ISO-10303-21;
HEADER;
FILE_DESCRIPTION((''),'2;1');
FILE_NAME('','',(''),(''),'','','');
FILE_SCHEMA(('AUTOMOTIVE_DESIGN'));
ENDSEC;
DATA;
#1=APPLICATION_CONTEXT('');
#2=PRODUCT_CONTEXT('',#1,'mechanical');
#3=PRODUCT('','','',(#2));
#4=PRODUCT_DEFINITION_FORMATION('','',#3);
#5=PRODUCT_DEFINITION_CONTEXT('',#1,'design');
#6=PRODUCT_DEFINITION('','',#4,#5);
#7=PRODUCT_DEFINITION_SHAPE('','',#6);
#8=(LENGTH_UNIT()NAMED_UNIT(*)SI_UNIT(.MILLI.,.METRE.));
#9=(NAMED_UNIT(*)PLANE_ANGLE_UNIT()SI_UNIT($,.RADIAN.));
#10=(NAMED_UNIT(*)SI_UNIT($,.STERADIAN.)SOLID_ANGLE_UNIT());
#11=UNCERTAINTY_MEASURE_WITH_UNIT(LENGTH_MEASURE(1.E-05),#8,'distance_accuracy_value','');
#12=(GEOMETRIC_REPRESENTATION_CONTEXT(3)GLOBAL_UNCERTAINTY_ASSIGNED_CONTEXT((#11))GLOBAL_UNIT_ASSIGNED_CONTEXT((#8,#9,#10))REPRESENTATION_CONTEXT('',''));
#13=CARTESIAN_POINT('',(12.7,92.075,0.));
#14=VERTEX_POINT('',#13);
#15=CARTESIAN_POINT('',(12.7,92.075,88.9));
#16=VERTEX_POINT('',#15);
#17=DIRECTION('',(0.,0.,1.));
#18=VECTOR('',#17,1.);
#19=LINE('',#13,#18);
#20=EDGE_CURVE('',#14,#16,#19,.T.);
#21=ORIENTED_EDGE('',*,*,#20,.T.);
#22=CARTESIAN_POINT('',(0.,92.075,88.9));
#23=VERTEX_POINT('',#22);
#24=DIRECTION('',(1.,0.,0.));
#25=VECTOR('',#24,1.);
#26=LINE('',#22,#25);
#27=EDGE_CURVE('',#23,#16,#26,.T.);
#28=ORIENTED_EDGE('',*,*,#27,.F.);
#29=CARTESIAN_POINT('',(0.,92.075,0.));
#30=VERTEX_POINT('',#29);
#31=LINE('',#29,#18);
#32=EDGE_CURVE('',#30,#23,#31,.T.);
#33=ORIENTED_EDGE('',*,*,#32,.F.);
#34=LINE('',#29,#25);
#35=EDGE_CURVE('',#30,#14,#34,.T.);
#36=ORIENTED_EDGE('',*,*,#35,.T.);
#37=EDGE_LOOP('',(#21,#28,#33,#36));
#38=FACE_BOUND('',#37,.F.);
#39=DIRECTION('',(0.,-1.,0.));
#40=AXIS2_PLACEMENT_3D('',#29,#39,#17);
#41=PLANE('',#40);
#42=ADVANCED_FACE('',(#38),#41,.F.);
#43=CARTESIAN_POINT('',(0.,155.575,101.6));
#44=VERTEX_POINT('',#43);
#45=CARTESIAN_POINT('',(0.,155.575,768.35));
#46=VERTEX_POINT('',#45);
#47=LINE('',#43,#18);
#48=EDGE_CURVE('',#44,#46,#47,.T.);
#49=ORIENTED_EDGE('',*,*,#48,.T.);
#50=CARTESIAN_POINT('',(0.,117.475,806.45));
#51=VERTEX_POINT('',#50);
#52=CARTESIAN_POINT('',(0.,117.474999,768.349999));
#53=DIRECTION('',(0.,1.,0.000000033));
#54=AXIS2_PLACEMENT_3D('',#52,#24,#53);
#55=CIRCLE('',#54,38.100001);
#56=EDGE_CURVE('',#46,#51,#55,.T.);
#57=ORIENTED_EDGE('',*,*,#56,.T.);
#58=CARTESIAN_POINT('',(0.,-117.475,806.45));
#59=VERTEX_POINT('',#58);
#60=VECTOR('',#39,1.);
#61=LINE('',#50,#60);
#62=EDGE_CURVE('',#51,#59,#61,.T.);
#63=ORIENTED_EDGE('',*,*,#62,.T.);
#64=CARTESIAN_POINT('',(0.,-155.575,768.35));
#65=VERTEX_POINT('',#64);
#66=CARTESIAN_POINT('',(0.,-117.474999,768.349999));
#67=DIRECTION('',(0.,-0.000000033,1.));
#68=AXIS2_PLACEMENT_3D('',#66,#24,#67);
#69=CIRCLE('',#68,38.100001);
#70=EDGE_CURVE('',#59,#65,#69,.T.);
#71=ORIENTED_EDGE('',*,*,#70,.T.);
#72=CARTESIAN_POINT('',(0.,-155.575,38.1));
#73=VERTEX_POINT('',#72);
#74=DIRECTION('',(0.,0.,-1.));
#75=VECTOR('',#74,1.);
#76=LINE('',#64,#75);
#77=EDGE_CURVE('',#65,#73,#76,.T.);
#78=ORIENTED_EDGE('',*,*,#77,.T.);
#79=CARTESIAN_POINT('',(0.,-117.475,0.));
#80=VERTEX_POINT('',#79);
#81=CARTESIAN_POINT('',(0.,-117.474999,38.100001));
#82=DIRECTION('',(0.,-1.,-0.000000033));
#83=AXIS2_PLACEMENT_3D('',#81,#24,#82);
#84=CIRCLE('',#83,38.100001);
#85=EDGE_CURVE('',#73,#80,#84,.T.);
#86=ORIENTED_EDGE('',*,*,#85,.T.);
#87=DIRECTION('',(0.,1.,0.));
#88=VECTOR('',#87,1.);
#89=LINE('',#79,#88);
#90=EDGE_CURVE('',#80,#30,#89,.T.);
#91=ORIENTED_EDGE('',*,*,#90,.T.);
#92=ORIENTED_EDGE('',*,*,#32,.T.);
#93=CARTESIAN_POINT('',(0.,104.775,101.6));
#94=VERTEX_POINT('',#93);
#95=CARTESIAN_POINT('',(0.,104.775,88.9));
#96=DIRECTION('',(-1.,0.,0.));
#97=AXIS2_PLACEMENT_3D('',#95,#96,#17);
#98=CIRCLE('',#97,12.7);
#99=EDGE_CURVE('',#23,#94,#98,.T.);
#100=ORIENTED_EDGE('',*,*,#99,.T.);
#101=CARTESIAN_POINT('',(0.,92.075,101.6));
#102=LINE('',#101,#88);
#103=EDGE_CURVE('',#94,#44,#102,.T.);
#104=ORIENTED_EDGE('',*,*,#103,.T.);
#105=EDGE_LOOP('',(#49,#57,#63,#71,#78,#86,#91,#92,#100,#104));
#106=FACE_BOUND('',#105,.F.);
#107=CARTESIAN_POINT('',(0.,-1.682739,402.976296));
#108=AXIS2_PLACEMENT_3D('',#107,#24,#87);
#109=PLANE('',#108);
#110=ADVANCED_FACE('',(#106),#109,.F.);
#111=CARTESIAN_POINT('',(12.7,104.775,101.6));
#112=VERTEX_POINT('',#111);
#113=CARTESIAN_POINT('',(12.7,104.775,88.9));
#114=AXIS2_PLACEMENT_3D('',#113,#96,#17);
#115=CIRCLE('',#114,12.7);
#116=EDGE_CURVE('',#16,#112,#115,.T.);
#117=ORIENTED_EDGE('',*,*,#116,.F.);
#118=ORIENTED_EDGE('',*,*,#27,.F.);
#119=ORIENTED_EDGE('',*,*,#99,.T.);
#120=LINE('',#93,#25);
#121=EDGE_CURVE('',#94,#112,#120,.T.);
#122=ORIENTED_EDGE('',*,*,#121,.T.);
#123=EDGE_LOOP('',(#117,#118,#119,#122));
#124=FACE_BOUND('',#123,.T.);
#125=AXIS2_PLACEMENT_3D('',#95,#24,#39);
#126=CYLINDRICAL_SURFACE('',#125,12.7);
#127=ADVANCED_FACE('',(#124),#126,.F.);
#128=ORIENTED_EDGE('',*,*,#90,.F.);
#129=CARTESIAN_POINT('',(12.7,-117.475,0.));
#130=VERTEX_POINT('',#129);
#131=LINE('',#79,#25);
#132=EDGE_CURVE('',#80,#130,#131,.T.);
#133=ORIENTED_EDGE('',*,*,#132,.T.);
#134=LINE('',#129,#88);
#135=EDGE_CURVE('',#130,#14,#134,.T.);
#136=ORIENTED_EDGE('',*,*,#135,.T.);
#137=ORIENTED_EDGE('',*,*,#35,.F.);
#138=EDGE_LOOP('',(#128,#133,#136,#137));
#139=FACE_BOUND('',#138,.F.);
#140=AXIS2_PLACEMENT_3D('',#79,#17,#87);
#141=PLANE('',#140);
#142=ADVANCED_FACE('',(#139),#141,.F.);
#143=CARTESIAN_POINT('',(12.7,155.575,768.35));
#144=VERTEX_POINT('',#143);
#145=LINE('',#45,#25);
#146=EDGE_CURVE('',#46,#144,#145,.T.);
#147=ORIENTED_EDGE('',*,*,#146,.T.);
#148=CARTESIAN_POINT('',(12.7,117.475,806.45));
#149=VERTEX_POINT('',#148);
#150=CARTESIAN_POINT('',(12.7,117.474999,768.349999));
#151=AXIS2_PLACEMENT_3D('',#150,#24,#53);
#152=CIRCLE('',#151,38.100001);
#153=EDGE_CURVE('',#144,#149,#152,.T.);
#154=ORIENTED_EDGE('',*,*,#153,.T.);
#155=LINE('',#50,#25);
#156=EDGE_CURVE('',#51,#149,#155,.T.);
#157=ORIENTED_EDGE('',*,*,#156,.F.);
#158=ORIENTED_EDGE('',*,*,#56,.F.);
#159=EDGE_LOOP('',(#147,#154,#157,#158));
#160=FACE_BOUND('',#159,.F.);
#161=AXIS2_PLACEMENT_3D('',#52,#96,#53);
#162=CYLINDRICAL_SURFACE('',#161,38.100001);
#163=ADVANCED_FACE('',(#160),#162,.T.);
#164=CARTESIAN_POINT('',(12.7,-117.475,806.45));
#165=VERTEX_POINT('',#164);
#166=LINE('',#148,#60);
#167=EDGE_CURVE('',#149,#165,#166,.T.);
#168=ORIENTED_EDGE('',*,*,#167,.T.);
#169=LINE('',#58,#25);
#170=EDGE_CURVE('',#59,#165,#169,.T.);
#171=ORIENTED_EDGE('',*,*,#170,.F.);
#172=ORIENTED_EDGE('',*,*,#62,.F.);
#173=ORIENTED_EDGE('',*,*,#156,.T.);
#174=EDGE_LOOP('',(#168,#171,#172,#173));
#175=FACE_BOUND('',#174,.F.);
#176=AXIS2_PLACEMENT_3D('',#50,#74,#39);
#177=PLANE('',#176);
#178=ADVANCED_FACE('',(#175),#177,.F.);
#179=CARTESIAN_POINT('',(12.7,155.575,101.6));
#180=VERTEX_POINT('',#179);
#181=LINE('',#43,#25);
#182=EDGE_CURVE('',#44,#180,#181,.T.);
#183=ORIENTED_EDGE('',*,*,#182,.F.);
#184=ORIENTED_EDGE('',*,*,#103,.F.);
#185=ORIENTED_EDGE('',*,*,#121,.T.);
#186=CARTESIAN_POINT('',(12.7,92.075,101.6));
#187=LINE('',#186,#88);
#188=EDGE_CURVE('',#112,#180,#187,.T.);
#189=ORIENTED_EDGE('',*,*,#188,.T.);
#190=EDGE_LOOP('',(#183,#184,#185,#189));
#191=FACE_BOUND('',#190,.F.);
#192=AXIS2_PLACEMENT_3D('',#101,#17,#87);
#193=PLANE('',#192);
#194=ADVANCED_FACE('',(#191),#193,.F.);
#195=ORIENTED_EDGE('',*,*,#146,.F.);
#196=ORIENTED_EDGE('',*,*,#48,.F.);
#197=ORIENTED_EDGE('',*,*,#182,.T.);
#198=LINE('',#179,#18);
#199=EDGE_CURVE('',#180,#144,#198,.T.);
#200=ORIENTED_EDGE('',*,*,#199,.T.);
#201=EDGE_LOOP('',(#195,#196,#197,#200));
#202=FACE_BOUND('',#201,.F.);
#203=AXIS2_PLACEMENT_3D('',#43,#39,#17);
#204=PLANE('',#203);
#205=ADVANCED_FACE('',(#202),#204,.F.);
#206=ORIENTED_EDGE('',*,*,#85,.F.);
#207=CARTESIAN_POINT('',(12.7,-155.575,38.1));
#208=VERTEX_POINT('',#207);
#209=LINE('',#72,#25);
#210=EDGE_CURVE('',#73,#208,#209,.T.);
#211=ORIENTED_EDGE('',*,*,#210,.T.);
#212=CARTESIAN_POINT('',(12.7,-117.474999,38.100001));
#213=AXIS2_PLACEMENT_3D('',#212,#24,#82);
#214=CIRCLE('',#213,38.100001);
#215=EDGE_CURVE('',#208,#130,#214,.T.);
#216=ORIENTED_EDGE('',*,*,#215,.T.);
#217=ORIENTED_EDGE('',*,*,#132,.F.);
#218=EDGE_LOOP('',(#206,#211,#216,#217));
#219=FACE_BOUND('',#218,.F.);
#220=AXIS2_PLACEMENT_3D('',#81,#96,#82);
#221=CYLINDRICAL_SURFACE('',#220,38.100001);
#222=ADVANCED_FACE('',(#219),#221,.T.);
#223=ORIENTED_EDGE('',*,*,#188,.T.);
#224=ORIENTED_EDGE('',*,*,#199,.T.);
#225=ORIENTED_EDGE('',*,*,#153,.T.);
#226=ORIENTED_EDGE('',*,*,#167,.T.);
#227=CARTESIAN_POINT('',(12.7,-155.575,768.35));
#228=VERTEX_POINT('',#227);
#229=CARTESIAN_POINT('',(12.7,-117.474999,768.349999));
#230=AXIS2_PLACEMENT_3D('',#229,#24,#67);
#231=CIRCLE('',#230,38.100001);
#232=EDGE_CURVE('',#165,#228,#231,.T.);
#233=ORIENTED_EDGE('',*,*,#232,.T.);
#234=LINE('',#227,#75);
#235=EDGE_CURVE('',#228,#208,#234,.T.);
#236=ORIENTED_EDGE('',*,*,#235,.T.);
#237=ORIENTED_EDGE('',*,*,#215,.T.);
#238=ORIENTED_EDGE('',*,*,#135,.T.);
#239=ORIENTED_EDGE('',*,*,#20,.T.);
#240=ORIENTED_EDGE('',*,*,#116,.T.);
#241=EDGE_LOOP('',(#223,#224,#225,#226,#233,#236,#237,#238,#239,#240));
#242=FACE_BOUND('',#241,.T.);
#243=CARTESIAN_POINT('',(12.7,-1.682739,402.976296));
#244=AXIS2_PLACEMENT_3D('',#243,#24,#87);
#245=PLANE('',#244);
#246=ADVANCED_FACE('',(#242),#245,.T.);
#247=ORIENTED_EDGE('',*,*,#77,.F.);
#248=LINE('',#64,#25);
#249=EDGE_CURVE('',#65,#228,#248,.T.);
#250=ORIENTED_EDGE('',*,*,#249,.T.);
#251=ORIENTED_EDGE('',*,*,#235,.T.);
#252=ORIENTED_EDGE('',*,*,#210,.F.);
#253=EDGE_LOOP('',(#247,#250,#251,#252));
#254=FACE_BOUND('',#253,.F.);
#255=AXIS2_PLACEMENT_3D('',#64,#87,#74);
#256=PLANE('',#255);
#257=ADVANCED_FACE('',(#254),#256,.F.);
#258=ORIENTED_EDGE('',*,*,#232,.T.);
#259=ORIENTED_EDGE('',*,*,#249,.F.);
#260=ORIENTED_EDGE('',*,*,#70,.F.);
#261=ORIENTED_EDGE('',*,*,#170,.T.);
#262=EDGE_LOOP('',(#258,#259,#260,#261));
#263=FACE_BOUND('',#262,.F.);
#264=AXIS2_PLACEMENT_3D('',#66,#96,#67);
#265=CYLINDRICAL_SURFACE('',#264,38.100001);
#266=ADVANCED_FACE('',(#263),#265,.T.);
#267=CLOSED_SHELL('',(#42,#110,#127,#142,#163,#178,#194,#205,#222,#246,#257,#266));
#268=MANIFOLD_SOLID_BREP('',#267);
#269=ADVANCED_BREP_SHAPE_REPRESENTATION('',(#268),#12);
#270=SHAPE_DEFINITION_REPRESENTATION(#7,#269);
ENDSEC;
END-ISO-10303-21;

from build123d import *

# Parameters (mm, degrees)
F1_DEPTH = 12.7
F2_R     = 12.7


with BuildPart() as f1:
    # F0 (on Right) → F1 (new body)
    with BuildSketch(Plane.YZ):
        with BuildLine():
            Line((117.475, 806.45), (-117.475, 806.45))
            ThreePointArc((-117.475, 806.45), (-144.415768, 795.290768), (-155.575, 768.35))
            Line((-155.575, 768.35), (-155.575, 38.1))
            ThreePointArc((-155.575, 38.1), (-144.415768, 11.159232), (-117.475, 0))
            Line((-117.475, 0), (92.075, 0))
            Line((92.075, 0), (92.075, 101.6))
            Line((92.075, 101.6), (155.575, 101.6))
            Line((155.575, 101.6), (155.575, 768.35))
            ThreePointArc((155.575, 768.35), (144.415768, 795.290768), (117.475, 806.45))
        make_face()
    extrude(amount=F1_DEPTH)

    # F2
    f2_edges = [f1.edges().sort_by_distance(p)[0] for p in [
        (6.35, 92.075, 101.6),
    ]]
    fillet(f2_edges, radius=F2_R)


solid = f1.part
